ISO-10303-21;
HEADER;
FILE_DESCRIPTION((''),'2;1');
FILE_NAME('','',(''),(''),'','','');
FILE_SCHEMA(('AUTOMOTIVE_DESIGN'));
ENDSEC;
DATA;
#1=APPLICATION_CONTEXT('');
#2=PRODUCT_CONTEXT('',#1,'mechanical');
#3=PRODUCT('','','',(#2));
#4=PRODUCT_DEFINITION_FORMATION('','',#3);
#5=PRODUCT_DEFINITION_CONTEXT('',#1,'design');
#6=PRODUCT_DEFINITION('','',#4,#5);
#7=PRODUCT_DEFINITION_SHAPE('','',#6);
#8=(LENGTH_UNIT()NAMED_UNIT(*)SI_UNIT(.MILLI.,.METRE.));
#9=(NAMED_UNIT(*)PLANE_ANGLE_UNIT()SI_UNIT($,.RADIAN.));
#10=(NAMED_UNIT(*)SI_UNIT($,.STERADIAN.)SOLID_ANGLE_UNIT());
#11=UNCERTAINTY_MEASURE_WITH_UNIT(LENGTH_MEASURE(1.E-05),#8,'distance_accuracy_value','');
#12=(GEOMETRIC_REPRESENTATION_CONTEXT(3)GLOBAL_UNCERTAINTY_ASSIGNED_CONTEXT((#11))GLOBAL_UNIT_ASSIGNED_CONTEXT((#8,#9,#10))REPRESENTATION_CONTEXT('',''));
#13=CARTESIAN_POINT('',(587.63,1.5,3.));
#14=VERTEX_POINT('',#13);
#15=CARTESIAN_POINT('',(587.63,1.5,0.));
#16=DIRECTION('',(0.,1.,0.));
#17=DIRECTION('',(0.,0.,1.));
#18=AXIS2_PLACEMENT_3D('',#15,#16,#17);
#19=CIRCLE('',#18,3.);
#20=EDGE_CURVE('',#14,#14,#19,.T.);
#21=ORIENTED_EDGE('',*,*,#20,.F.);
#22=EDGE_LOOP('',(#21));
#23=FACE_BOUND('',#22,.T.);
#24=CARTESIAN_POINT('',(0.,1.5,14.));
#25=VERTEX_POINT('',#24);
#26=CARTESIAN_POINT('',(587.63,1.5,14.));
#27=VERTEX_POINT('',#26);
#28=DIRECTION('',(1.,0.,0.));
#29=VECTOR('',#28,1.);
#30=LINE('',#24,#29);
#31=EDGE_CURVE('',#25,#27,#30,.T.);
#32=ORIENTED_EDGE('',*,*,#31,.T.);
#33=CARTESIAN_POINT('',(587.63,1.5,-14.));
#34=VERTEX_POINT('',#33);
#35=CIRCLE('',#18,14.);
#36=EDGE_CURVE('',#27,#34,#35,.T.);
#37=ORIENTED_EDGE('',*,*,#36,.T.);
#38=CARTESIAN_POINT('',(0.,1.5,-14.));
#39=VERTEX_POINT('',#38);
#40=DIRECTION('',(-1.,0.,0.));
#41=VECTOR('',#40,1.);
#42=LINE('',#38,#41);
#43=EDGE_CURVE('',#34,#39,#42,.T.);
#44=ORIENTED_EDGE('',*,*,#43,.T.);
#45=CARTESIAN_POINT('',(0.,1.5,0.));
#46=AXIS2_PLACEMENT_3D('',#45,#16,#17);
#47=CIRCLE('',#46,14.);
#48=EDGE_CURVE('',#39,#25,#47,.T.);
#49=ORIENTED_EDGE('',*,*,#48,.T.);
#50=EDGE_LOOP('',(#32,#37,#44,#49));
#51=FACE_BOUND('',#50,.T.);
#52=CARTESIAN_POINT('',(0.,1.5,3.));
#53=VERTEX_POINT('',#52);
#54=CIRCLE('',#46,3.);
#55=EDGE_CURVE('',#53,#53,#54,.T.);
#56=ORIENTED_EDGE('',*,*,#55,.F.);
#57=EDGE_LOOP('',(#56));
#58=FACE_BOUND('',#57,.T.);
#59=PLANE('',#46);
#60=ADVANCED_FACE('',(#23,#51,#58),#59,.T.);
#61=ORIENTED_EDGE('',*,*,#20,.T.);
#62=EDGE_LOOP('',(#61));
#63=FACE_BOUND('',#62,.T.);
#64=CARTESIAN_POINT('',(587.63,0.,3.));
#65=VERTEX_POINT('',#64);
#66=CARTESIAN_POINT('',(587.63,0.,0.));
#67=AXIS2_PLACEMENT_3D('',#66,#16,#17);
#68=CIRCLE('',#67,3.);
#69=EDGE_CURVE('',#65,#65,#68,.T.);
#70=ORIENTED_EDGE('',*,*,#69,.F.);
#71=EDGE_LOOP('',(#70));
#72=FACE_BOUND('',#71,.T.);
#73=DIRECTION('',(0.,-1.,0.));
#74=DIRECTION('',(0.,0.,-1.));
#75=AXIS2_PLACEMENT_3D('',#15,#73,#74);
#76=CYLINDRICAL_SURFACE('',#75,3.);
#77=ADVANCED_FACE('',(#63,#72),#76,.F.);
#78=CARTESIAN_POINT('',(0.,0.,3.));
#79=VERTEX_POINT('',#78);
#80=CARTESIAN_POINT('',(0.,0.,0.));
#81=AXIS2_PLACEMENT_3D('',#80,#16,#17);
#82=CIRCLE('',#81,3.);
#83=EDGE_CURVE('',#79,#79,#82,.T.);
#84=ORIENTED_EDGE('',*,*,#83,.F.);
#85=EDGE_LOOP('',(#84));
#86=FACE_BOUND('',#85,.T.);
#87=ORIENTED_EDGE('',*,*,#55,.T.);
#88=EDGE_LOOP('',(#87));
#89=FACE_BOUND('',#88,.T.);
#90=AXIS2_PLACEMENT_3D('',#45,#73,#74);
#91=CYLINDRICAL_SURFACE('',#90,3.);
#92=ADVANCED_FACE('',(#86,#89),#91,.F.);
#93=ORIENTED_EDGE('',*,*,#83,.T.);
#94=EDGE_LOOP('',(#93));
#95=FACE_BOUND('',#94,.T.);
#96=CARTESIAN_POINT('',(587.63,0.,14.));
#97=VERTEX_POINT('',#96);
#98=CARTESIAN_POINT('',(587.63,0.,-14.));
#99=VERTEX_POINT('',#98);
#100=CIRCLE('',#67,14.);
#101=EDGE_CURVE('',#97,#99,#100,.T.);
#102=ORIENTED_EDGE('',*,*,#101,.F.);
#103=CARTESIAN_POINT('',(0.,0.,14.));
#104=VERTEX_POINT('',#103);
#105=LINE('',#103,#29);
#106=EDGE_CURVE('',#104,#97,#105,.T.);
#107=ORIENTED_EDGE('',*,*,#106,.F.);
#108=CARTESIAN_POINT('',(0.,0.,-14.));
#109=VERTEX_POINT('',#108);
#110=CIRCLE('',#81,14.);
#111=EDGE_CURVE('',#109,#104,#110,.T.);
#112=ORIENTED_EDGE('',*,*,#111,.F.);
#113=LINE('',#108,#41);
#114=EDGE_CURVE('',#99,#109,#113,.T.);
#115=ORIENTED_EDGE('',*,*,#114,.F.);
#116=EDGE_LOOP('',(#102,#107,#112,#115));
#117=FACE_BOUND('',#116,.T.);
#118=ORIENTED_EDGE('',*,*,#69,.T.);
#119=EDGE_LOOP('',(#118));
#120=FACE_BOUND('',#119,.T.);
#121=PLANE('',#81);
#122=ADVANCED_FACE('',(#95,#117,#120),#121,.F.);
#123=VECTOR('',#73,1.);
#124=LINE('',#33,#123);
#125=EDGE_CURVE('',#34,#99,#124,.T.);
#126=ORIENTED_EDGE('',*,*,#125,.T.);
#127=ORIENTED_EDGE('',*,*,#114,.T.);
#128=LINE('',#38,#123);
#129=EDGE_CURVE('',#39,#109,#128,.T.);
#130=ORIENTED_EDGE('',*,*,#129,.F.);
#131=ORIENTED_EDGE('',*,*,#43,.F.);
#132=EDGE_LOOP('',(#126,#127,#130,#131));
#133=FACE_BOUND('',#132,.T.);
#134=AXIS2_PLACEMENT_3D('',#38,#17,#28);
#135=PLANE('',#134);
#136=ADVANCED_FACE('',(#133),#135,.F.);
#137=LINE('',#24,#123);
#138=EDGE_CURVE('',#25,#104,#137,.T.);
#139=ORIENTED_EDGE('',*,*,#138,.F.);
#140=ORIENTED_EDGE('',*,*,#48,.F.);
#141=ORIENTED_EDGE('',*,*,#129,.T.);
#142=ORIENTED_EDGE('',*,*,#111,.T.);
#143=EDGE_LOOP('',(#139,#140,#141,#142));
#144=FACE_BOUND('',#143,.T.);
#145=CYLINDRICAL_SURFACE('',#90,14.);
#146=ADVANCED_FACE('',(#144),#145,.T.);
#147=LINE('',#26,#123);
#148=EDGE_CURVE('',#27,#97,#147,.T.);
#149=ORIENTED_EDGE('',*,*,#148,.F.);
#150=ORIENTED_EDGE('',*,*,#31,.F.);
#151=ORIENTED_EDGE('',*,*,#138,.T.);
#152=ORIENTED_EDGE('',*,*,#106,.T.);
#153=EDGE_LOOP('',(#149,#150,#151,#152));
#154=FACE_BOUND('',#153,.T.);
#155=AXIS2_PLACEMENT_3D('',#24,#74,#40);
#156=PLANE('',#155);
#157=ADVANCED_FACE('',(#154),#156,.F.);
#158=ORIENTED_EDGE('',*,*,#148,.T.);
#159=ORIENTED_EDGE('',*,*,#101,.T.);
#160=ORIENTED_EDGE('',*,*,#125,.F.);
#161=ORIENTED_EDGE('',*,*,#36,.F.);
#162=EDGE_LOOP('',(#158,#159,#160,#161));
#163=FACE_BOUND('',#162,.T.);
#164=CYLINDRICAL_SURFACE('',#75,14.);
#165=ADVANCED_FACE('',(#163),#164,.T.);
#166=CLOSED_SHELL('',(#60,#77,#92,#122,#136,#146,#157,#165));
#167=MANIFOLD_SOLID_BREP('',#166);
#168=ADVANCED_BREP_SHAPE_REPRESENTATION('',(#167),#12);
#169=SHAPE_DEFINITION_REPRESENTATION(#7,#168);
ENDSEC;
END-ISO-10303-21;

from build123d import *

# Parameters (mm, degrees)
SKETCH1_R           = 3
BOSS_EXTRUDE1_DEPTH = 1.5


with BuildPart() as part:
    # Sketch1 → Boss-Extrude1 (new body)
    with BuildSketch(Plane(origin=(0, 0, 0), x_dir=(1, 0, 0), z_dir=(0, 1, 0))):
        with BuildLine():
            Line((0, 14), (587.63, 14))
            ThreePointArc((587.63, 14), (601.63, 0), (587.63, -14))
            Line((587.63, -14), (0, -14))
            ThreePointArc((0, -14), (-14, 0), (0, 14))
        make_face()
        Circle(SKETCH1_R, mode=Mode.SUBTRACT)
        with Locations((587.63, 0)):
            Circle(SKETCH1_R, mode=Mode.SUBTRACT)
    extrude(amount=BOSS_EXTRUDE1_DEPTH)


solid = part.part
